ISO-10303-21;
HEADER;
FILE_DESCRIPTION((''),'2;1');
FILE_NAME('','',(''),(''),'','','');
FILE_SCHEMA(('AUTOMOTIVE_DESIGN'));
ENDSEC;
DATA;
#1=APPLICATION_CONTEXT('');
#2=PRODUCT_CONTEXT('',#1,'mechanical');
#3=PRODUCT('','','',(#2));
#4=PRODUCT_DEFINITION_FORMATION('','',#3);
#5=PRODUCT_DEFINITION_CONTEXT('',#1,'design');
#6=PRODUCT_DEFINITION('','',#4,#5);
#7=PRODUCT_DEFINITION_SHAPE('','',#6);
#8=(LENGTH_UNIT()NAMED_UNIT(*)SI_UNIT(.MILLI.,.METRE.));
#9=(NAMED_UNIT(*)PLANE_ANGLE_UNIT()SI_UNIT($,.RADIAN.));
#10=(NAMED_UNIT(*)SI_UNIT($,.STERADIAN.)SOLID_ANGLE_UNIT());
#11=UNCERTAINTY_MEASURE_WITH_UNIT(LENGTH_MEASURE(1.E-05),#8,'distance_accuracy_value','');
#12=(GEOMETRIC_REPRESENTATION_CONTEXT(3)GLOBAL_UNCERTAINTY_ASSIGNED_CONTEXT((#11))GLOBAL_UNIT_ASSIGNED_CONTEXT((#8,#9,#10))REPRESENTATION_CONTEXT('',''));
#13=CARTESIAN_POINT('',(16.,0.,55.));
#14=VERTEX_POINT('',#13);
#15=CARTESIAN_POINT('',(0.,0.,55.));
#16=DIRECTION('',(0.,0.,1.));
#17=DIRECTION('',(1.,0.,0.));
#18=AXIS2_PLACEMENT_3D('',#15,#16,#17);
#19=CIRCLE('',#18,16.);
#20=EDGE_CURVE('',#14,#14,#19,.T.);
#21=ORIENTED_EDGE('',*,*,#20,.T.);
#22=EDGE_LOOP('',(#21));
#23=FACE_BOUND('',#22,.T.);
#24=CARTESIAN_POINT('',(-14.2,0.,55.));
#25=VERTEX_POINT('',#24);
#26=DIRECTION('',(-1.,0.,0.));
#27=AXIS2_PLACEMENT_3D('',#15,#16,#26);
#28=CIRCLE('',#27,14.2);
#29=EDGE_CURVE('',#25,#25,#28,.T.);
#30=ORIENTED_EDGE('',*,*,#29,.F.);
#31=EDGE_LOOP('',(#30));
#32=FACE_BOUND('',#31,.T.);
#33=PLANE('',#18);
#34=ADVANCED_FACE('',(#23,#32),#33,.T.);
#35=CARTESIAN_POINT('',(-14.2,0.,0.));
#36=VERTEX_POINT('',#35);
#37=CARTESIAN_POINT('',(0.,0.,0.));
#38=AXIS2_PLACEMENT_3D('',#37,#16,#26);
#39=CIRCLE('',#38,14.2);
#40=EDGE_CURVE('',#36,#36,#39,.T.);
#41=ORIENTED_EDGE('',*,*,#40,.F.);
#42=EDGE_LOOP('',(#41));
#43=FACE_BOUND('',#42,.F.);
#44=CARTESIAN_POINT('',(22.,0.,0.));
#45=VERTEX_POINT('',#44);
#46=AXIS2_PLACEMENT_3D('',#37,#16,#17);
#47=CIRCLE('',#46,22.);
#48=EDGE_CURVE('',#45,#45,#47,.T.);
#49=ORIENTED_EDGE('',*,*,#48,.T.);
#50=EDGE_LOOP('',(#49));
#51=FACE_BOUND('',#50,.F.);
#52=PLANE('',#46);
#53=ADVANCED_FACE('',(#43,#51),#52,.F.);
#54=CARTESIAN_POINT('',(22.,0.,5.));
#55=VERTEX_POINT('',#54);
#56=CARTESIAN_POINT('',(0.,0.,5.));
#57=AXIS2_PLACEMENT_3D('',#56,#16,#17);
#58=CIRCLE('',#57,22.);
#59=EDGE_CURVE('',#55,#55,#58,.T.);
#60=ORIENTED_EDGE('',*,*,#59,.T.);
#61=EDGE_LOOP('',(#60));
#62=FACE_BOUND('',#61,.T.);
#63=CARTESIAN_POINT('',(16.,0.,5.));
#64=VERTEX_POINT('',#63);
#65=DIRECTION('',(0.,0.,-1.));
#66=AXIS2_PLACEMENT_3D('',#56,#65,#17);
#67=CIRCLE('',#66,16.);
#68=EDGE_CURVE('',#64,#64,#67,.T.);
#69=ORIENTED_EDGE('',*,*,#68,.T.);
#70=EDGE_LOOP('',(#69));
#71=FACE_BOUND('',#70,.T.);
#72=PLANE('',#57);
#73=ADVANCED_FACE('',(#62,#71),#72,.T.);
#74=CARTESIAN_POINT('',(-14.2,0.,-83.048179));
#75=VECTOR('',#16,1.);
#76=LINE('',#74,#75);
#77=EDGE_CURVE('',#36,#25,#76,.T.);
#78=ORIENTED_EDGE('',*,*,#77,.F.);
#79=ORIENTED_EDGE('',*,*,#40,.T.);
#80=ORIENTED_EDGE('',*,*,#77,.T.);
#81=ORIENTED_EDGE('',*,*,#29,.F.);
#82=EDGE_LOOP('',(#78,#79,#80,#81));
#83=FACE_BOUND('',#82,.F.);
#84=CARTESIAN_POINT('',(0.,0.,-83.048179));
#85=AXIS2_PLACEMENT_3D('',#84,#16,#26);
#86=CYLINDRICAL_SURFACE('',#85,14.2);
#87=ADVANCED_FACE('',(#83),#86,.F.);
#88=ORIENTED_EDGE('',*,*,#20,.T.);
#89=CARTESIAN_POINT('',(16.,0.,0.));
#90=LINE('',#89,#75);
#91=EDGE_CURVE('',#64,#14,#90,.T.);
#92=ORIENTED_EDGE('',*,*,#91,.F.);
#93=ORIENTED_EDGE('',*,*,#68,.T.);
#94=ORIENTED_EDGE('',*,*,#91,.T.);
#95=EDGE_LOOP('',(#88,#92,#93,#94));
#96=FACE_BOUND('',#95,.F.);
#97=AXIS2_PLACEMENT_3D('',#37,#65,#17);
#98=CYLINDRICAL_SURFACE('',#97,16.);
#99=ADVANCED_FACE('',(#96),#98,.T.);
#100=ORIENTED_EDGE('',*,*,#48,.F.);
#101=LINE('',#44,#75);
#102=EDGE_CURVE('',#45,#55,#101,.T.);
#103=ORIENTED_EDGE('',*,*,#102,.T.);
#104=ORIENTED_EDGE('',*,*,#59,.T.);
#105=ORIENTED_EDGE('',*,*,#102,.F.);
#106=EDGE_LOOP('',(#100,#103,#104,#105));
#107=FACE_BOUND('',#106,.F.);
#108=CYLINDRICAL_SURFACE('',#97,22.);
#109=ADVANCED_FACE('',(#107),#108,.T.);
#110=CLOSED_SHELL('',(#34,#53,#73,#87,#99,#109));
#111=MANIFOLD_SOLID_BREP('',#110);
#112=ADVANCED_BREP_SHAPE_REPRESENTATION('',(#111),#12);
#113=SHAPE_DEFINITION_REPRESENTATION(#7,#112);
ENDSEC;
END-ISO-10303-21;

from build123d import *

# Parameters (mm, degrees)
F0_R     = 16
F1_DEPTH = 55
F2_R     = 22
F3_DEPTH = 5
F5_D     = 28.4


with BuildPart() as f1:
    # F0 (on Top) → F1 (new body)
    with BuildSketch(Plane.XY):
        Circle(F0_R)
    extrude(amount=F1_DEPTH)

    # F2 (on Top) → F3 (join)
    with BuildSketch(Plane.XY):
        Circle(F2_R)
    extrude(amount=F3_DEPTH)

    # F5 (through all)
    with Locations(Plane(origin=(0, 0, 0), x_dir=(1, 0, 0), z_dir=(0, 0, -1))):
        with Locations((0, 0)):
            Hole(F5_D / 2)


solid = f1.part
